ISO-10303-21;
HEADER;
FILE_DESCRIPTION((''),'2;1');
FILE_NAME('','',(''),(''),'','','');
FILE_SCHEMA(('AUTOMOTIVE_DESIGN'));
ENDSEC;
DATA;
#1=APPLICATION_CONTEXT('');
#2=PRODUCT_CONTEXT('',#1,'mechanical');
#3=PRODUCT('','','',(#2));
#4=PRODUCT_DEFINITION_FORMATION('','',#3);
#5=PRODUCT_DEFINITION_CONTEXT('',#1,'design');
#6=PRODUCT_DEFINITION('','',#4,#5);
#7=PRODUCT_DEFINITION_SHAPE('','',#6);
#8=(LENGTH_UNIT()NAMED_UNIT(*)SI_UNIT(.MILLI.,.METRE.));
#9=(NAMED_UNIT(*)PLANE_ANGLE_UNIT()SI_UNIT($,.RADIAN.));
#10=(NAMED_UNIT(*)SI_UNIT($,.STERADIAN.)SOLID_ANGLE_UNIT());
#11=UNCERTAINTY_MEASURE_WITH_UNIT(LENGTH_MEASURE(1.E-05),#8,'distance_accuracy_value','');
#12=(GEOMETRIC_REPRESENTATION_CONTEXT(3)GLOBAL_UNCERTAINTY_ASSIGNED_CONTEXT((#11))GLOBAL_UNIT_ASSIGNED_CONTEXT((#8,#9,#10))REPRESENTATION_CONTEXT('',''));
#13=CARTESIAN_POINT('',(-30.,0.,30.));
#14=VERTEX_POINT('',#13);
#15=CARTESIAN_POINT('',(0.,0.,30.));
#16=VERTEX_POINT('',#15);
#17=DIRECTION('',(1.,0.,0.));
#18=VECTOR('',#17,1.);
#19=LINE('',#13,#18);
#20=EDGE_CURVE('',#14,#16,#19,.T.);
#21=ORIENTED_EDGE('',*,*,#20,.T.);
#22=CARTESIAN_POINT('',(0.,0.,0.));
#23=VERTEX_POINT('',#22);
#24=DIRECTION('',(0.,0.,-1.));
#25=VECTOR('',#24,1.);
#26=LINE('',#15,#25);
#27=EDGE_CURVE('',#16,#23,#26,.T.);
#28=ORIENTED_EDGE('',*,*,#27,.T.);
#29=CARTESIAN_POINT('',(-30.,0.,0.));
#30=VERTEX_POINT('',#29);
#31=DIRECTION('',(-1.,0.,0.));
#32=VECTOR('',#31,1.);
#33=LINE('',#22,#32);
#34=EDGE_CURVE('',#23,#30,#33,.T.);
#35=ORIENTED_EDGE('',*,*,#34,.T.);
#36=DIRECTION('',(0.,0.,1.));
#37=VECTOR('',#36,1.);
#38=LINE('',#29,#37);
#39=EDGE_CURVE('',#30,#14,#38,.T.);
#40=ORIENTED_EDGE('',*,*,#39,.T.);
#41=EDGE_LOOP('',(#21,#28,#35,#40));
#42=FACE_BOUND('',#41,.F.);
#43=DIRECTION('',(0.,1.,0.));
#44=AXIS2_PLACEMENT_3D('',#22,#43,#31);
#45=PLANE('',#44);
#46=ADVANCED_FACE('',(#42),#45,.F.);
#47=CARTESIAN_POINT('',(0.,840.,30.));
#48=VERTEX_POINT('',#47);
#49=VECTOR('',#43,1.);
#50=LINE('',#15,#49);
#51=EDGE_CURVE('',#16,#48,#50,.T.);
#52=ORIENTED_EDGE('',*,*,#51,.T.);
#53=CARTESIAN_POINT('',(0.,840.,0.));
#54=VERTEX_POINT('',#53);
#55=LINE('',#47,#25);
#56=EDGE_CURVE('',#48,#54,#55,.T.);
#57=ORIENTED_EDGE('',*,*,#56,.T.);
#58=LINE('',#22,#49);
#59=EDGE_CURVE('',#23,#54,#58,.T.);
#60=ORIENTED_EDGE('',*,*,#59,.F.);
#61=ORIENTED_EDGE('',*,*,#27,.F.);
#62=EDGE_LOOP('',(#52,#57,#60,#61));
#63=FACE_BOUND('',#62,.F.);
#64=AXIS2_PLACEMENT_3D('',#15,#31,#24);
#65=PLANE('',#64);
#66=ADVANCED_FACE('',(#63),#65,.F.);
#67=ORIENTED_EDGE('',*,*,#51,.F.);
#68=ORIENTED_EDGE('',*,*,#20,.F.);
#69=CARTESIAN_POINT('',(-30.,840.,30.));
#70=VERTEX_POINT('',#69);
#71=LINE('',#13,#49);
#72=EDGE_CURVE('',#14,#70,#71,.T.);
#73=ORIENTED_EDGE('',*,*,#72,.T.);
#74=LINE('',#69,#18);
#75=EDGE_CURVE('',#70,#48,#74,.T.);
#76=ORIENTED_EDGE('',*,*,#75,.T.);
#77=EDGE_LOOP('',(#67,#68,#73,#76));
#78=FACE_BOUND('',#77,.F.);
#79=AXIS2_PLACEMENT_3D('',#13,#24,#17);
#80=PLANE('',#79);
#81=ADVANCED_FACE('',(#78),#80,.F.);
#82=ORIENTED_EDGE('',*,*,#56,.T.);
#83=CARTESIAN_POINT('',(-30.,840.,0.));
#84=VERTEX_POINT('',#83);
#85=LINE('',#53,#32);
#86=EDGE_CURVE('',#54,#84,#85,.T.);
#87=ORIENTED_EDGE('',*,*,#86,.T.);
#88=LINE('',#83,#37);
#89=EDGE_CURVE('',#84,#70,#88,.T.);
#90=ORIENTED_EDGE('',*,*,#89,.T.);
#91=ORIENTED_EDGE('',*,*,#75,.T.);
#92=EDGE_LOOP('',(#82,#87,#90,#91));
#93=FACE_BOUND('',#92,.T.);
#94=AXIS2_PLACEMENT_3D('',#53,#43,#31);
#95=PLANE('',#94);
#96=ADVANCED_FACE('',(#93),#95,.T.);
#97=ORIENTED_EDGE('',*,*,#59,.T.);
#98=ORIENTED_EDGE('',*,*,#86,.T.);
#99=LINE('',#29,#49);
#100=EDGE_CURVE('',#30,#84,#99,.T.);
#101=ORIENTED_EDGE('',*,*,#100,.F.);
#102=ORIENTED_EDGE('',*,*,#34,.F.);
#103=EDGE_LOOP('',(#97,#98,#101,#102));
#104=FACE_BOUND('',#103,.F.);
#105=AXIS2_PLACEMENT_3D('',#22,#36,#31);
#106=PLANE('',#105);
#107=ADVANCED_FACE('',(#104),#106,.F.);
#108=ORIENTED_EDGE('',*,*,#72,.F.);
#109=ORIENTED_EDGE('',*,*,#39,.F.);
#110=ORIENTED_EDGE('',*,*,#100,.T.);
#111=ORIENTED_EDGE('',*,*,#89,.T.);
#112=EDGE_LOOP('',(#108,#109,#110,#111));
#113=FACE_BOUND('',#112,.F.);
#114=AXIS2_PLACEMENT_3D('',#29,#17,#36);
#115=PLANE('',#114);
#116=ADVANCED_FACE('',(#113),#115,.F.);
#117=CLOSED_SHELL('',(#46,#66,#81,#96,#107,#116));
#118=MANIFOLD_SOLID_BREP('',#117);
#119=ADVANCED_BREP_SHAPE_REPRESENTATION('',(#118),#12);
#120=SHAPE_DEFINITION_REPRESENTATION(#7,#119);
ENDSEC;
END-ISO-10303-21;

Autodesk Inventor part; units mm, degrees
ref_plane "YZ Plane" through (0, 0, 0) normal (1, 0, 0) x (0, 1, 0)
ref_plane "XZ Plane" through (0, 0, 0) normal (0, 1, 0) x (-1, 0, 0)
ref_plane "XY Plane" through (0, 0, 0) normal (0, 0, 1) x (1, 0, 0)
sketch "Boceto1" plane through (0, 0, 0) normal (0, 1, 0) x (-1, 0, 0)
  line L0 (0, 0) -> (30, 0)
  line L1 (30, 0) -> (30, 30)
  line L2 (30, 30) -> (0, 30)
  line L3 (0, 30) -> (0, 0)
  dimension "d0" = 30
  dimension "d1" = 30
extrude "Extrusión1" add sketch "Boceto1" along normal blind 840
properties part number "Inclinada4"
